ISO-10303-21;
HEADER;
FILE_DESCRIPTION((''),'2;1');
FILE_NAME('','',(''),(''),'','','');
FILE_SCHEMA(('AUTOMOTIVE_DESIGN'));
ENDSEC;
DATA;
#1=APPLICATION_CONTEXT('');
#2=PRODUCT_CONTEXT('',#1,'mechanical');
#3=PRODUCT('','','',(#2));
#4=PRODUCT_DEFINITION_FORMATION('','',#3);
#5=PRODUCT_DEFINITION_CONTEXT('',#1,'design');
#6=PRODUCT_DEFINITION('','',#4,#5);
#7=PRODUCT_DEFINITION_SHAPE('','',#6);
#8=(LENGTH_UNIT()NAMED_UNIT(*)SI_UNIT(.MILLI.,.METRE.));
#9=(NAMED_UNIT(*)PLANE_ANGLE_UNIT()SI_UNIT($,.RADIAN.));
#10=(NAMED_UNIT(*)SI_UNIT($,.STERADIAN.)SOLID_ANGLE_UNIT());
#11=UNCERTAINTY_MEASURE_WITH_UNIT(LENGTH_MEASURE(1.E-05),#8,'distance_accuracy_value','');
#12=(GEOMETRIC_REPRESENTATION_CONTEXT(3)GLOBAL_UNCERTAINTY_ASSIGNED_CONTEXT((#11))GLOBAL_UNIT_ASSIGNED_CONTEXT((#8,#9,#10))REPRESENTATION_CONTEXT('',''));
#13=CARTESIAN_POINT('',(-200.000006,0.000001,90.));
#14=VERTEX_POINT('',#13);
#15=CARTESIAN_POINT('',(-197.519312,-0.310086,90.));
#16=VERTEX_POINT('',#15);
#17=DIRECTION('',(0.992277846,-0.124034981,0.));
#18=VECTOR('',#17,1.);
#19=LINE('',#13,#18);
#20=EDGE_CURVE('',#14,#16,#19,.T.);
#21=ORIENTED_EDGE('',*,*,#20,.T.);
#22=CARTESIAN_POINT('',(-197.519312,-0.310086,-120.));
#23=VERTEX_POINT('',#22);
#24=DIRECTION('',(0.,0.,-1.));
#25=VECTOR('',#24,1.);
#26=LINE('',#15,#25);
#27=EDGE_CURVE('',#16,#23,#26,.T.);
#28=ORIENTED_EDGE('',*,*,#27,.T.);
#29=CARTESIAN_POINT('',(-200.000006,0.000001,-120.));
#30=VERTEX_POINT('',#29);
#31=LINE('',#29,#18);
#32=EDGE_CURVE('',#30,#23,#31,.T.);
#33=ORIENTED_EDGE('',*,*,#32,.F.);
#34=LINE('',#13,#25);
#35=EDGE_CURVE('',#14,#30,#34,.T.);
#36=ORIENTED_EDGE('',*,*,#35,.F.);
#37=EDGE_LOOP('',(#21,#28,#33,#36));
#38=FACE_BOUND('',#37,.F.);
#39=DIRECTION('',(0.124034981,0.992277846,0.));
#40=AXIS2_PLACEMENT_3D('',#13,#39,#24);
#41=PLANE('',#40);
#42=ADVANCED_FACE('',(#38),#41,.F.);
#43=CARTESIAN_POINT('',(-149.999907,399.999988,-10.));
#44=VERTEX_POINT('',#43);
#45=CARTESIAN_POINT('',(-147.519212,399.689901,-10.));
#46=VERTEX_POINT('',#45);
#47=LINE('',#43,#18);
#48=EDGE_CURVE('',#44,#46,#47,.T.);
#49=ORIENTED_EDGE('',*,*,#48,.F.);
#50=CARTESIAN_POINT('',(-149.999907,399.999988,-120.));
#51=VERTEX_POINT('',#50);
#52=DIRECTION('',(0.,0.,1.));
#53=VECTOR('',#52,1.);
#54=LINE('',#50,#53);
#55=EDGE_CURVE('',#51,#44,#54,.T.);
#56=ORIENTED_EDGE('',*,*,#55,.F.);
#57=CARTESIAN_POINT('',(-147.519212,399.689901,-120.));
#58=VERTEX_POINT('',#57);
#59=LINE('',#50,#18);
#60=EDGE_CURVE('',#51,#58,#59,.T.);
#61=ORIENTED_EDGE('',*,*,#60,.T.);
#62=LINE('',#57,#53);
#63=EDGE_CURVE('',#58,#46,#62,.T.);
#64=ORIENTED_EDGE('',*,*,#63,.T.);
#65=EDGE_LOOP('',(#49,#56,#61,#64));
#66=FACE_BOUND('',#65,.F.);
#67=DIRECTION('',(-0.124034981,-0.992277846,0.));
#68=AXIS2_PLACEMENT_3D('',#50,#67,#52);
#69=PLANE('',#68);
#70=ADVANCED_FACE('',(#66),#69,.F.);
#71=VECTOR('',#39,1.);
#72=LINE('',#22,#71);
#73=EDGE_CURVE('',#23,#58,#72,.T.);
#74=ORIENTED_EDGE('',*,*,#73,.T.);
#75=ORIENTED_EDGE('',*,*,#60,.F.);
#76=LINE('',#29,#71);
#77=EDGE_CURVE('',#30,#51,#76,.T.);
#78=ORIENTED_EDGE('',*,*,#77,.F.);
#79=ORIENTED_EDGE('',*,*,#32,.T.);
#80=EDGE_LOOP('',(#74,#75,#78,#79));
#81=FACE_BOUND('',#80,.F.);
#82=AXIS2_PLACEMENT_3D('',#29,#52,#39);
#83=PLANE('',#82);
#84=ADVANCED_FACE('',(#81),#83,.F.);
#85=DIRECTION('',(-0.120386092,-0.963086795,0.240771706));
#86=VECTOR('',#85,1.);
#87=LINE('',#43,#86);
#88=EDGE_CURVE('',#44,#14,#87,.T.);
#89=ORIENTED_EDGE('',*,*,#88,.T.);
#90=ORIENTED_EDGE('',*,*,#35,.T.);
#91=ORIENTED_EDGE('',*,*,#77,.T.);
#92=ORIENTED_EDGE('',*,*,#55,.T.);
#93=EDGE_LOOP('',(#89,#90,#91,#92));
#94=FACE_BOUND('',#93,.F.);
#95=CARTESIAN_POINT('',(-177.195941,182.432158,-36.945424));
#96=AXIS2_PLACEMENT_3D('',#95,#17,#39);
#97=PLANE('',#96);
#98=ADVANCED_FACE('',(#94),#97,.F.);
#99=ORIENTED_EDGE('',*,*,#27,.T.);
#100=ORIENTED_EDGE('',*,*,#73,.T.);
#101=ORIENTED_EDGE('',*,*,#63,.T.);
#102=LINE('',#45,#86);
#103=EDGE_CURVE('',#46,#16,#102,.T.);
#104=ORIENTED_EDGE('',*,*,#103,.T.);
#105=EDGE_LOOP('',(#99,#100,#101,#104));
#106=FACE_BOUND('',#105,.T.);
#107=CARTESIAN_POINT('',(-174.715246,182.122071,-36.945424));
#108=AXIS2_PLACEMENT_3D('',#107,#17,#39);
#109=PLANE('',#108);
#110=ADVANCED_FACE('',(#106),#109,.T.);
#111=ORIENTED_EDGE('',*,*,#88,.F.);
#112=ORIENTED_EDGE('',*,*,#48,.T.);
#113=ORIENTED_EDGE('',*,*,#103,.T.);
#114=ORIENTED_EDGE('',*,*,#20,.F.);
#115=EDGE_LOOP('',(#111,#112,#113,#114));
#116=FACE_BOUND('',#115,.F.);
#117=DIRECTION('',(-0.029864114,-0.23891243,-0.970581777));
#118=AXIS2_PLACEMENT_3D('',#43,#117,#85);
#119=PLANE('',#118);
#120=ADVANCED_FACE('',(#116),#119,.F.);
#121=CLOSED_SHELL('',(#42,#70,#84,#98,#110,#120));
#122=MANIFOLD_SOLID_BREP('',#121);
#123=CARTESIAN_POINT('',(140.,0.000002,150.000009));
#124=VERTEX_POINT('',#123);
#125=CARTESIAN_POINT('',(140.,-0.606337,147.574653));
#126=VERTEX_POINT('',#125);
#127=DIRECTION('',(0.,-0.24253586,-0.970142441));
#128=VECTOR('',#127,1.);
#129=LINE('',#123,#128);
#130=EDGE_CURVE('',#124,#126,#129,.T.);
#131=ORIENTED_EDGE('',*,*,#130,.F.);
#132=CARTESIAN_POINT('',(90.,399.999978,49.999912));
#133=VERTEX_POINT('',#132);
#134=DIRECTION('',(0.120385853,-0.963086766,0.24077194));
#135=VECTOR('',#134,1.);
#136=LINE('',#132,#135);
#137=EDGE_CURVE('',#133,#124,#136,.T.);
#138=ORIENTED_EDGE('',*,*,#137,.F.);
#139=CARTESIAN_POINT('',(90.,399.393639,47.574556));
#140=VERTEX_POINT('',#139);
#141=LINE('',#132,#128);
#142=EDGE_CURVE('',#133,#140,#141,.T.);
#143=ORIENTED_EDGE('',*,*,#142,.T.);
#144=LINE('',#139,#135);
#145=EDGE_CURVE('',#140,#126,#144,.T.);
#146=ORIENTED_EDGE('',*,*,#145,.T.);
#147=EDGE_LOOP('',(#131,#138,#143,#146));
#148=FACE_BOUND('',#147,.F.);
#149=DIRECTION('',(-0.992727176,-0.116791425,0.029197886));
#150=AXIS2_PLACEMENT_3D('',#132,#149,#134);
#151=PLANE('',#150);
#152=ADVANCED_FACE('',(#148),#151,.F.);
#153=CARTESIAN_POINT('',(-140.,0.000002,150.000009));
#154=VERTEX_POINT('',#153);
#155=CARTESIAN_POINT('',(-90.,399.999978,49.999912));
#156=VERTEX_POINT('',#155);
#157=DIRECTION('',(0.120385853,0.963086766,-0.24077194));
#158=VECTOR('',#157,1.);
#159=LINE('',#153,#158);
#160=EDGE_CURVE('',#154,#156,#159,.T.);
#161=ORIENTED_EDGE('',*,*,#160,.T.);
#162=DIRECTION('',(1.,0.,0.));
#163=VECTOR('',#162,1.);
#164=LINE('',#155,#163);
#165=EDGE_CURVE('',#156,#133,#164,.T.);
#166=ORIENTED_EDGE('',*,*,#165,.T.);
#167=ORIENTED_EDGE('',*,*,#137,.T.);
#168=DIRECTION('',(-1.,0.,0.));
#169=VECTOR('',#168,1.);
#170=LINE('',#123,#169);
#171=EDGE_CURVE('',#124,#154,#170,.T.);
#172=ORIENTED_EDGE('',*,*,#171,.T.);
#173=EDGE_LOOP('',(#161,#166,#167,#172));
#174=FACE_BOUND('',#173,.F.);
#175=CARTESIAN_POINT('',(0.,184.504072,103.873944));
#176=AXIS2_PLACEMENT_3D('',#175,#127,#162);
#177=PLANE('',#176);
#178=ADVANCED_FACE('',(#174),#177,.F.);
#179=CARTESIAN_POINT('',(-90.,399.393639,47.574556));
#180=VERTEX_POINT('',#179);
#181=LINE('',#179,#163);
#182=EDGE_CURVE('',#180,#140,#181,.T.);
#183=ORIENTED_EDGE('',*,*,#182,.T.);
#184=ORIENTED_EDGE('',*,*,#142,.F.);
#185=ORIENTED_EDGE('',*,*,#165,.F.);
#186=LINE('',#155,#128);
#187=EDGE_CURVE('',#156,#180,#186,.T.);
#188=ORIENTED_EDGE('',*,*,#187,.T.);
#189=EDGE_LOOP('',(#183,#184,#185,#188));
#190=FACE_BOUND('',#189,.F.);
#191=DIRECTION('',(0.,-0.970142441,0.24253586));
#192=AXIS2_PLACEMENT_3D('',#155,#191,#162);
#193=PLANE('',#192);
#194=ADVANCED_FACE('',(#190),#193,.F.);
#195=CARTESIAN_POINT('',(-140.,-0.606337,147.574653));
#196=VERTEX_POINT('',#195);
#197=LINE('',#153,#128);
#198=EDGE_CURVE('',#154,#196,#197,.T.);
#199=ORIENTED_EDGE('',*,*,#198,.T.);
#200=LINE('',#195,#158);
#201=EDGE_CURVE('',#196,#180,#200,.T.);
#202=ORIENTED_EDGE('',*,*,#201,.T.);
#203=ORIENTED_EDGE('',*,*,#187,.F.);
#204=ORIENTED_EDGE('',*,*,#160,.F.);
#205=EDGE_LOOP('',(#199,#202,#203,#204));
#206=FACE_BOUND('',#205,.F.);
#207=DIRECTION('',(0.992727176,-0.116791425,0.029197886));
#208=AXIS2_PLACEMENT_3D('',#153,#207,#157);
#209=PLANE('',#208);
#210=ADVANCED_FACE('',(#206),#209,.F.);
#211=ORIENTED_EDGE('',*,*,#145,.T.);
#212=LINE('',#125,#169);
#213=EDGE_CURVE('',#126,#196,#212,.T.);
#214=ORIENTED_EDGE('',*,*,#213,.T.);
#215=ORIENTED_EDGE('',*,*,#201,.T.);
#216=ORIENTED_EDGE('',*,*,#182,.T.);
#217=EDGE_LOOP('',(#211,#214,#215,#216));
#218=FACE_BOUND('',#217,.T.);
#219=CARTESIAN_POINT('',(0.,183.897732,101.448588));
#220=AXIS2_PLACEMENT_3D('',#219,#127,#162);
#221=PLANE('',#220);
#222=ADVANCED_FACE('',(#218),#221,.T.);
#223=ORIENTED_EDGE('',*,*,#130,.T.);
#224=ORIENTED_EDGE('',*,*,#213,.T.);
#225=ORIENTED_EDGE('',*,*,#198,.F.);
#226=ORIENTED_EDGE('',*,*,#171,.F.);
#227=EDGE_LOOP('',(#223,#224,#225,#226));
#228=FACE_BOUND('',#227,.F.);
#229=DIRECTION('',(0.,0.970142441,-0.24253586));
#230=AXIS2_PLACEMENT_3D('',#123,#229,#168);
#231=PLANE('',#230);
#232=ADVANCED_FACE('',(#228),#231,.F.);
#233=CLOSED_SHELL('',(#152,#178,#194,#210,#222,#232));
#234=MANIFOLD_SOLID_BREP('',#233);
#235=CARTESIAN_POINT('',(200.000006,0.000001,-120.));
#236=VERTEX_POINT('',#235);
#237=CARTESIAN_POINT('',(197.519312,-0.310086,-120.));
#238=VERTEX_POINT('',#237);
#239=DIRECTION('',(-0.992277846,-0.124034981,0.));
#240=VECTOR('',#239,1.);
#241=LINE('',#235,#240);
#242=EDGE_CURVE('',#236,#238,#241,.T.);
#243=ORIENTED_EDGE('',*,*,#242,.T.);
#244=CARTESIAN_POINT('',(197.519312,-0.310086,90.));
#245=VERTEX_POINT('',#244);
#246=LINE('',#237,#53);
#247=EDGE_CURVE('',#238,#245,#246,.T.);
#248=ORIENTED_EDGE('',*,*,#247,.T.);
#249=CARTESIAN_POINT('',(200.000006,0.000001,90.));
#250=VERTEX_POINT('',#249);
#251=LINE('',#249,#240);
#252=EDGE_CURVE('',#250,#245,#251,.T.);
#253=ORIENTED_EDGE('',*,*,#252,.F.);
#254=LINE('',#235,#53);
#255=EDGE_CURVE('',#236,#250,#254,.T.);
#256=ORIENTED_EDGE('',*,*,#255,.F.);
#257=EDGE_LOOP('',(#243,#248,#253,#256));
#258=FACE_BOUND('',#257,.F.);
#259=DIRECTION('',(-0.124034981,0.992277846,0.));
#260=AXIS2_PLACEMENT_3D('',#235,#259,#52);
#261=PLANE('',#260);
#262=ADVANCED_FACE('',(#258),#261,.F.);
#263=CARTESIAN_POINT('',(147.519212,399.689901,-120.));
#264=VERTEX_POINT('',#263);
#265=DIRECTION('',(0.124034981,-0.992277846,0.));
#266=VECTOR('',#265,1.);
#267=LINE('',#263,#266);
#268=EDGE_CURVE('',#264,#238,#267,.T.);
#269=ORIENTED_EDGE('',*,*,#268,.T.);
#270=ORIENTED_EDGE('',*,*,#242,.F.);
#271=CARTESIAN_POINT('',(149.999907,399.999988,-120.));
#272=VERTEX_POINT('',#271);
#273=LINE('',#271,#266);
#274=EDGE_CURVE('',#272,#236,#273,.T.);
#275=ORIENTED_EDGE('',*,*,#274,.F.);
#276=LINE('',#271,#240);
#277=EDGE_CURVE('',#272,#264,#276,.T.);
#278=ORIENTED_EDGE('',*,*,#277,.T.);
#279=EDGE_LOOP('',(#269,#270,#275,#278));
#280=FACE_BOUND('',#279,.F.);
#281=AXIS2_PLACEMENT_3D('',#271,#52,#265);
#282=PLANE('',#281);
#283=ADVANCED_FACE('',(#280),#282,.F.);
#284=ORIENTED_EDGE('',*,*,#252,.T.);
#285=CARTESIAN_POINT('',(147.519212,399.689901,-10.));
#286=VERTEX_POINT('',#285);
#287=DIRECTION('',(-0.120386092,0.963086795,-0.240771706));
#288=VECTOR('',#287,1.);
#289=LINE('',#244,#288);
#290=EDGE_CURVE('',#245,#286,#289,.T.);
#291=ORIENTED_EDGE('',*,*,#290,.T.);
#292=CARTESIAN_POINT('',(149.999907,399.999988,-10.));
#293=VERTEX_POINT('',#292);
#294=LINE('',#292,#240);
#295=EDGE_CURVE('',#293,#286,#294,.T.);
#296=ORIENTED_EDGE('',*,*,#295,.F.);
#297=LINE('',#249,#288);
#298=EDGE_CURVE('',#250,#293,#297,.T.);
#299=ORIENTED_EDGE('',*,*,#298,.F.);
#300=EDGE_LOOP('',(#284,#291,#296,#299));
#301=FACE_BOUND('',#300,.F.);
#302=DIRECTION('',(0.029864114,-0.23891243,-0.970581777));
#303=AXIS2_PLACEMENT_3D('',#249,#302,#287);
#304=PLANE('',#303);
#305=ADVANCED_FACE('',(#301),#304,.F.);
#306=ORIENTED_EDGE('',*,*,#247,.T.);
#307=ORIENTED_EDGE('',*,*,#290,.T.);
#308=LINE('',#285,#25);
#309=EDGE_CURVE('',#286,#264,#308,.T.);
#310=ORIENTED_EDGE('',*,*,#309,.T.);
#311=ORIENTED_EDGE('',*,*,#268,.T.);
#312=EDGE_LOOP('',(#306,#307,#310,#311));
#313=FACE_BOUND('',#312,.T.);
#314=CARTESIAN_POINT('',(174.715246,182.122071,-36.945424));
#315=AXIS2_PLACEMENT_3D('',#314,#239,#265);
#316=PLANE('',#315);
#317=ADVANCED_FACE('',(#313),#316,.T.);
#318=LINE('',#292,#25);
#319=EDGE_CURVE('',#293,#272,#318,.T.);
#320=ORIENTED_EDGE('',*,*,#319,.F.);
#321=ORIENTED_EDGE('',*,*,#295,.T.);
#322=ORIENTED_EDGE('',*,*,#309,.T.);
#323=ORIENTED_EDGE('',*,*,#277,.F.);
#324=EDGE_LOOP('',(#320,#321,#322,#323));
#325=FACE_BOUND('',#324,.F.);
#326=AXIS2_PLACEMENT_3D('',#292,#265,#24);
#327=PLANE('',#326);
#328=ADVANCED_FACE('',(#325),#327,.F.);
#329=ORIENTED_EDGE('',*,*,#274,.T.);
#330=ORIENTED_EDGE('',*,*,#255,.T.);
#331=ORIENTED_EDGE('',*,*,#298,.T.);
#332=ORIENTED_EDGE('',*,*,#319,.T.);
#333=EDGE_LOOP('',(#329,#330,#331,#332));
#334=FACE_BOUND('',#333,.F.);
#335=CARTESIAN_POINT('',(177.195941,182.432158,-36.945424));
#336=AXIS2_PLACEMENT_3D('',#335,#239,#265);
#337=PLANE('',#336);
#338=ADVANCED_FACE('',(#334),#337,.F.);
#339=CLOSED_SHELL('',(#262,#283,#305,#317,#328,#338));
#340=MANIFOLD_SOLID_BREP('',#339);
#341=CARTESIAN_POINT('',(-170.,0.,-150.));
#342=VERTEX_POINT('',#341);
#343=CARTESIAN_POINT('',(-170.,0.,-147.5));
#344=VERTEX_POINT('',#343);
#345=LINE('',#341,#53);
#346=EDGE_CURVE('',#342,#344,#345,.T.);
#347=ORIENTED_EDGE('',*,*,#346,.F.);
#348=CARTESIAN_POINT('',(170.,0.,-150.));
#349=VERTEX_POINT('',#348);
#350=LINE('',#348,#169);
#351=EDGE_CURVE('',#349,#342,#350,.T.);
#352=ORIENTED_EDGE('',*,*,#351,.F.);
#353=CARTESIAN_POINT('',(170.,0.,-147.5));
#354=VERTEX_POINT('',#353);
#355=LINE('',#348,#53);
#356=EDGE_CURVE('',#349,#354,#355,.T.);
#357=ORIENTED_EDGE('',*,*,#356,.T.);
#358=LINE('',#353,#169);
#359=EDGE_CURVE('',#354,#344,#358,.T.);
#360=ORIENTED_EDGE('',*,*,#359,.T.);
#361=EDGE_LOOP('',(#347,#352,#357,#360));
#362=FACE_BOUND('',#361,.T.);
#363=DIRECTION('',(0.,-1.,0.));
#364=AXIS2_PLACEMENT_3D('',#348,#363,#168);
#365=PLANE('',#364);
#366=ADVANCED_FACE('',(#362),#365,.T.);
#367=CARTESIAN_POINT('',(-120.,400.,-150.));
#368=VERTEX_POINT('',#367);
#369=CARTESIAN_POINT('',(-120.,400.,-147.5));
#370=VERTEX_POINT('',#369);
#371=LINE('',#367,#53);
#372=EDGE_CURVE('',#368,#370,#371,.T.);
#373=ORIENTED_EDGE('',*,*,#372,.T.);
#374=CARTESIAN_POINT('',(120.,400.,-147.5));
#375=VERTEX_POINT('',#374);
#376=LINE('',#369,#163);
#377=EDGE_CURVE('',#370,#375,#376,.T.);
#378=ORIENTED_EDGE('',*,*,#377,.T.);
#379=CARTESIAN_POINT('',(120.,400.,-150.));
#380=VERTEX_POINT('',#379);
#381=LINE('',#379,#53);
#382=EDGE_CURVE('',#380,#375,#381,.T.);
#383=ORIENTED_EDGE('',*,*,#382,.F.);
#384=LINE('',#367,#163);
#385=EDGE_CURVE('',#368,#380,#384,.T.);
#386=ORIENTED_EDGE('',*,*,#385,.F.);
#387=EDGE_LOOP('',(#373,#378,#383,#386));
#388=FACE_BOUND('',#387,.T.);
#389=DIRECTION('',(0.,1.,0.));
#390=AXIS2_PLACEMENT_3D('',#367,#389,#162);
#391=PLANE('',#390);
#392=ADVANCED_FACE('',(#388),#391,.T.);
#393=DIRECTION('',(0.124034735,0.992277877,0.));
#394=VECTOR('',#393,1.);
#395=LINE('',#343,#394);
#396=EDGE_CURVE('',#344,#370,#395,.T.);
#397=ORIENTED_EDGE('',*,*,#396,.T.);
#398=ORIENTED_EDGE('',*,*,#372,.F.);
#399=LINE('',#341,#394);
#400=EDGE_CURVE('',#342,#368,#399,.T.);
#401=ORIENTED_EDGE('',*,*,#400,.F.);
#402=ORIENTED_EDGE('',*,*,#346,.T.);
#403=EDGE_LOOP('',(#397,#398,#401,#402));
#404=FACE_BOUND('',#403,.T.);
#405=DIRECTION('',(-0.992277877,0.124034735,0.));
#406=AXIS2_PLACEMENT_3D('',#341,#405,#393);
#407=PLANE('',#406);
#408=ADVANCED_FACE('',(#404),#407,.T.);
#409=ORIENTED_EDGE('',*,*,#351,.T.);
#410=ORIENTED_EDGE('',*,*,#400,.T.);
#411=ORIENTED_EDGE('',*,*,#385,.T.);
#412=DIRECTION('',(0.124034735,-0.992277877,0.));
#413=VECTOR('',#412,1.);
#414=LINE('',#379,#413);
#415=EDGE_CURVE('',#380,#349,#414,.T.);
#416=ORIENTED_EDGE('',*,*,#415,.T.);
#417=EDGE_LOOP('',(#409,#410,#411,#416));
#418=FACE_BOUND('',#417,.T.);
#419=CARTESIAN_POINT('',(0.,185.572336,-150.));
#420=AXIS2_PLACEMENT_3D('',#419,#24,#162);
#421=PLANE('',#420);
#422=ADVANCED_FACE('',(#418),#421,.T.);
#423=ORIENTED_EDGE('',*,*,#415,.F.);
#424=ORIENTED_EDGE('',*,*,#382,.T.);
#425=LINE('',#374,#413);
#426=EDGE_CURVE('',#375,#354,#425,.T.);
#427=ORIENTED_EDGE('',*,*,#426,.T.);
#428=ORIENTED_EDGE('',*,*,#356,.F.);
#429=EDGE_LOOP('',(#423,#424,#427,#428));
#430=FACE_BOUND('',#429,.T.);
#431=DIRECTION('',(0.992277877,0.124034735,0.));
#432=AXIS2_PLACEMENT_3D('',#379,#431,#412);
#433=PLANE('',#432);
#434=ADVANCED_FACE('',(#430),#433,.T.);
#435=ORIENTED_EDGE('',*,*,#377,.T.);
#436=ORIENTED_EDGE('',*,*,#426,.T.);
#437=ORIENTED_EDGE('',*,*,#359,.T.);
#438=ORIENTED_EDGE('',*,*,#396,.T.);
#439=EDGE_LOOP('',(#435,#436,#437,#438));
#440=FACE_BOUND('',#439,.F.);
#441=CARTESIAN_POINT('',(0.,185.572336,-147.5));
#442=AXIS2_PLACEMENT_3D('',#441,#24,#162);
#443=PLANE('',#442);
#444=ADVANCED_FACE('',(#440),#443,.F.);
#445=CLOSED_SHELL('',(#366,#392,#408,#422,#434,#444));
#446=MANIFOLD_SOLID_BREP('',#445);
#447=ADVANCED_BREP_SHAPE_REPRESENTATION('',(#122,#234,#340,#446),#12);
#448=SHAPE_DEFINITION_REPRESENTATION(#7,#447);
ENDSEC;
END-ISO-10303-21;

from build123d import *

# Parameters (mm, degrees)
F5_DEPTH  = 2.5
F8_DEPTH  = 2.5
F11_DEPTH = 2.5
F14_DEPTH = 2.5


with BuildPart() as f5:
    # F4 (on face) → F5 (new body)
    with BuildSketch(Plane(origin=(0, 35.294118, 141.176471), x_dir=(1, 0, 0), z_dir=(0, -0.242536, -0.970143))):
        Polygon((90, -375.930219), (140, 36.380344), (-140, 36.380344), (-90, -375.930219), align=None)
    extrude(amount=F5_DEPTH)


with BuildPart() as f8:
    # F7 (on face) → F8 (new body)
    with BuildSketch(Plane(origin=(196.923077, 24.615385, 0), x_dir=(0.124035, -0.992278, 0), z_dir=(-0.992278, -0.124035, 0))):
        Polygon((24.806947, -120), (24.806947, 90), (-378.30594, -10), (-378.30594, -120), align=None)
    extrude(amount=F8_DEPTH)


with BuildPart() as f11:
    # F10 (on face) → F11 (new body)
    with BuildSketch(Plane(origin=(-196.923077, 24.615385, 0), x_dir=(0.124035, 0.992278, 0), z_dir=(0.992278, -0.124035, 0))):
        Polygon((378.30594, -120), (378.30594, -10), (-24.806947, 90), (-24.806947, -120), align=None)
    extrude(amount=F11_DEPTH)


with BuildPart() as f14:
    # F13 (on face) → F14 (new body)
    with BuildSketch(Plane(origin=(0, 0, -150), x_dir=(1, 0, 0), z_dir=(0, 0, -1))):
        Polygon((-170, 0), (-120, -400), (120, -400), (170, 0), align=None)
    extrude(amount=-F14_DEPTH)


solid = Compound([f5.part, f8.part, f11.part, f14.part])
